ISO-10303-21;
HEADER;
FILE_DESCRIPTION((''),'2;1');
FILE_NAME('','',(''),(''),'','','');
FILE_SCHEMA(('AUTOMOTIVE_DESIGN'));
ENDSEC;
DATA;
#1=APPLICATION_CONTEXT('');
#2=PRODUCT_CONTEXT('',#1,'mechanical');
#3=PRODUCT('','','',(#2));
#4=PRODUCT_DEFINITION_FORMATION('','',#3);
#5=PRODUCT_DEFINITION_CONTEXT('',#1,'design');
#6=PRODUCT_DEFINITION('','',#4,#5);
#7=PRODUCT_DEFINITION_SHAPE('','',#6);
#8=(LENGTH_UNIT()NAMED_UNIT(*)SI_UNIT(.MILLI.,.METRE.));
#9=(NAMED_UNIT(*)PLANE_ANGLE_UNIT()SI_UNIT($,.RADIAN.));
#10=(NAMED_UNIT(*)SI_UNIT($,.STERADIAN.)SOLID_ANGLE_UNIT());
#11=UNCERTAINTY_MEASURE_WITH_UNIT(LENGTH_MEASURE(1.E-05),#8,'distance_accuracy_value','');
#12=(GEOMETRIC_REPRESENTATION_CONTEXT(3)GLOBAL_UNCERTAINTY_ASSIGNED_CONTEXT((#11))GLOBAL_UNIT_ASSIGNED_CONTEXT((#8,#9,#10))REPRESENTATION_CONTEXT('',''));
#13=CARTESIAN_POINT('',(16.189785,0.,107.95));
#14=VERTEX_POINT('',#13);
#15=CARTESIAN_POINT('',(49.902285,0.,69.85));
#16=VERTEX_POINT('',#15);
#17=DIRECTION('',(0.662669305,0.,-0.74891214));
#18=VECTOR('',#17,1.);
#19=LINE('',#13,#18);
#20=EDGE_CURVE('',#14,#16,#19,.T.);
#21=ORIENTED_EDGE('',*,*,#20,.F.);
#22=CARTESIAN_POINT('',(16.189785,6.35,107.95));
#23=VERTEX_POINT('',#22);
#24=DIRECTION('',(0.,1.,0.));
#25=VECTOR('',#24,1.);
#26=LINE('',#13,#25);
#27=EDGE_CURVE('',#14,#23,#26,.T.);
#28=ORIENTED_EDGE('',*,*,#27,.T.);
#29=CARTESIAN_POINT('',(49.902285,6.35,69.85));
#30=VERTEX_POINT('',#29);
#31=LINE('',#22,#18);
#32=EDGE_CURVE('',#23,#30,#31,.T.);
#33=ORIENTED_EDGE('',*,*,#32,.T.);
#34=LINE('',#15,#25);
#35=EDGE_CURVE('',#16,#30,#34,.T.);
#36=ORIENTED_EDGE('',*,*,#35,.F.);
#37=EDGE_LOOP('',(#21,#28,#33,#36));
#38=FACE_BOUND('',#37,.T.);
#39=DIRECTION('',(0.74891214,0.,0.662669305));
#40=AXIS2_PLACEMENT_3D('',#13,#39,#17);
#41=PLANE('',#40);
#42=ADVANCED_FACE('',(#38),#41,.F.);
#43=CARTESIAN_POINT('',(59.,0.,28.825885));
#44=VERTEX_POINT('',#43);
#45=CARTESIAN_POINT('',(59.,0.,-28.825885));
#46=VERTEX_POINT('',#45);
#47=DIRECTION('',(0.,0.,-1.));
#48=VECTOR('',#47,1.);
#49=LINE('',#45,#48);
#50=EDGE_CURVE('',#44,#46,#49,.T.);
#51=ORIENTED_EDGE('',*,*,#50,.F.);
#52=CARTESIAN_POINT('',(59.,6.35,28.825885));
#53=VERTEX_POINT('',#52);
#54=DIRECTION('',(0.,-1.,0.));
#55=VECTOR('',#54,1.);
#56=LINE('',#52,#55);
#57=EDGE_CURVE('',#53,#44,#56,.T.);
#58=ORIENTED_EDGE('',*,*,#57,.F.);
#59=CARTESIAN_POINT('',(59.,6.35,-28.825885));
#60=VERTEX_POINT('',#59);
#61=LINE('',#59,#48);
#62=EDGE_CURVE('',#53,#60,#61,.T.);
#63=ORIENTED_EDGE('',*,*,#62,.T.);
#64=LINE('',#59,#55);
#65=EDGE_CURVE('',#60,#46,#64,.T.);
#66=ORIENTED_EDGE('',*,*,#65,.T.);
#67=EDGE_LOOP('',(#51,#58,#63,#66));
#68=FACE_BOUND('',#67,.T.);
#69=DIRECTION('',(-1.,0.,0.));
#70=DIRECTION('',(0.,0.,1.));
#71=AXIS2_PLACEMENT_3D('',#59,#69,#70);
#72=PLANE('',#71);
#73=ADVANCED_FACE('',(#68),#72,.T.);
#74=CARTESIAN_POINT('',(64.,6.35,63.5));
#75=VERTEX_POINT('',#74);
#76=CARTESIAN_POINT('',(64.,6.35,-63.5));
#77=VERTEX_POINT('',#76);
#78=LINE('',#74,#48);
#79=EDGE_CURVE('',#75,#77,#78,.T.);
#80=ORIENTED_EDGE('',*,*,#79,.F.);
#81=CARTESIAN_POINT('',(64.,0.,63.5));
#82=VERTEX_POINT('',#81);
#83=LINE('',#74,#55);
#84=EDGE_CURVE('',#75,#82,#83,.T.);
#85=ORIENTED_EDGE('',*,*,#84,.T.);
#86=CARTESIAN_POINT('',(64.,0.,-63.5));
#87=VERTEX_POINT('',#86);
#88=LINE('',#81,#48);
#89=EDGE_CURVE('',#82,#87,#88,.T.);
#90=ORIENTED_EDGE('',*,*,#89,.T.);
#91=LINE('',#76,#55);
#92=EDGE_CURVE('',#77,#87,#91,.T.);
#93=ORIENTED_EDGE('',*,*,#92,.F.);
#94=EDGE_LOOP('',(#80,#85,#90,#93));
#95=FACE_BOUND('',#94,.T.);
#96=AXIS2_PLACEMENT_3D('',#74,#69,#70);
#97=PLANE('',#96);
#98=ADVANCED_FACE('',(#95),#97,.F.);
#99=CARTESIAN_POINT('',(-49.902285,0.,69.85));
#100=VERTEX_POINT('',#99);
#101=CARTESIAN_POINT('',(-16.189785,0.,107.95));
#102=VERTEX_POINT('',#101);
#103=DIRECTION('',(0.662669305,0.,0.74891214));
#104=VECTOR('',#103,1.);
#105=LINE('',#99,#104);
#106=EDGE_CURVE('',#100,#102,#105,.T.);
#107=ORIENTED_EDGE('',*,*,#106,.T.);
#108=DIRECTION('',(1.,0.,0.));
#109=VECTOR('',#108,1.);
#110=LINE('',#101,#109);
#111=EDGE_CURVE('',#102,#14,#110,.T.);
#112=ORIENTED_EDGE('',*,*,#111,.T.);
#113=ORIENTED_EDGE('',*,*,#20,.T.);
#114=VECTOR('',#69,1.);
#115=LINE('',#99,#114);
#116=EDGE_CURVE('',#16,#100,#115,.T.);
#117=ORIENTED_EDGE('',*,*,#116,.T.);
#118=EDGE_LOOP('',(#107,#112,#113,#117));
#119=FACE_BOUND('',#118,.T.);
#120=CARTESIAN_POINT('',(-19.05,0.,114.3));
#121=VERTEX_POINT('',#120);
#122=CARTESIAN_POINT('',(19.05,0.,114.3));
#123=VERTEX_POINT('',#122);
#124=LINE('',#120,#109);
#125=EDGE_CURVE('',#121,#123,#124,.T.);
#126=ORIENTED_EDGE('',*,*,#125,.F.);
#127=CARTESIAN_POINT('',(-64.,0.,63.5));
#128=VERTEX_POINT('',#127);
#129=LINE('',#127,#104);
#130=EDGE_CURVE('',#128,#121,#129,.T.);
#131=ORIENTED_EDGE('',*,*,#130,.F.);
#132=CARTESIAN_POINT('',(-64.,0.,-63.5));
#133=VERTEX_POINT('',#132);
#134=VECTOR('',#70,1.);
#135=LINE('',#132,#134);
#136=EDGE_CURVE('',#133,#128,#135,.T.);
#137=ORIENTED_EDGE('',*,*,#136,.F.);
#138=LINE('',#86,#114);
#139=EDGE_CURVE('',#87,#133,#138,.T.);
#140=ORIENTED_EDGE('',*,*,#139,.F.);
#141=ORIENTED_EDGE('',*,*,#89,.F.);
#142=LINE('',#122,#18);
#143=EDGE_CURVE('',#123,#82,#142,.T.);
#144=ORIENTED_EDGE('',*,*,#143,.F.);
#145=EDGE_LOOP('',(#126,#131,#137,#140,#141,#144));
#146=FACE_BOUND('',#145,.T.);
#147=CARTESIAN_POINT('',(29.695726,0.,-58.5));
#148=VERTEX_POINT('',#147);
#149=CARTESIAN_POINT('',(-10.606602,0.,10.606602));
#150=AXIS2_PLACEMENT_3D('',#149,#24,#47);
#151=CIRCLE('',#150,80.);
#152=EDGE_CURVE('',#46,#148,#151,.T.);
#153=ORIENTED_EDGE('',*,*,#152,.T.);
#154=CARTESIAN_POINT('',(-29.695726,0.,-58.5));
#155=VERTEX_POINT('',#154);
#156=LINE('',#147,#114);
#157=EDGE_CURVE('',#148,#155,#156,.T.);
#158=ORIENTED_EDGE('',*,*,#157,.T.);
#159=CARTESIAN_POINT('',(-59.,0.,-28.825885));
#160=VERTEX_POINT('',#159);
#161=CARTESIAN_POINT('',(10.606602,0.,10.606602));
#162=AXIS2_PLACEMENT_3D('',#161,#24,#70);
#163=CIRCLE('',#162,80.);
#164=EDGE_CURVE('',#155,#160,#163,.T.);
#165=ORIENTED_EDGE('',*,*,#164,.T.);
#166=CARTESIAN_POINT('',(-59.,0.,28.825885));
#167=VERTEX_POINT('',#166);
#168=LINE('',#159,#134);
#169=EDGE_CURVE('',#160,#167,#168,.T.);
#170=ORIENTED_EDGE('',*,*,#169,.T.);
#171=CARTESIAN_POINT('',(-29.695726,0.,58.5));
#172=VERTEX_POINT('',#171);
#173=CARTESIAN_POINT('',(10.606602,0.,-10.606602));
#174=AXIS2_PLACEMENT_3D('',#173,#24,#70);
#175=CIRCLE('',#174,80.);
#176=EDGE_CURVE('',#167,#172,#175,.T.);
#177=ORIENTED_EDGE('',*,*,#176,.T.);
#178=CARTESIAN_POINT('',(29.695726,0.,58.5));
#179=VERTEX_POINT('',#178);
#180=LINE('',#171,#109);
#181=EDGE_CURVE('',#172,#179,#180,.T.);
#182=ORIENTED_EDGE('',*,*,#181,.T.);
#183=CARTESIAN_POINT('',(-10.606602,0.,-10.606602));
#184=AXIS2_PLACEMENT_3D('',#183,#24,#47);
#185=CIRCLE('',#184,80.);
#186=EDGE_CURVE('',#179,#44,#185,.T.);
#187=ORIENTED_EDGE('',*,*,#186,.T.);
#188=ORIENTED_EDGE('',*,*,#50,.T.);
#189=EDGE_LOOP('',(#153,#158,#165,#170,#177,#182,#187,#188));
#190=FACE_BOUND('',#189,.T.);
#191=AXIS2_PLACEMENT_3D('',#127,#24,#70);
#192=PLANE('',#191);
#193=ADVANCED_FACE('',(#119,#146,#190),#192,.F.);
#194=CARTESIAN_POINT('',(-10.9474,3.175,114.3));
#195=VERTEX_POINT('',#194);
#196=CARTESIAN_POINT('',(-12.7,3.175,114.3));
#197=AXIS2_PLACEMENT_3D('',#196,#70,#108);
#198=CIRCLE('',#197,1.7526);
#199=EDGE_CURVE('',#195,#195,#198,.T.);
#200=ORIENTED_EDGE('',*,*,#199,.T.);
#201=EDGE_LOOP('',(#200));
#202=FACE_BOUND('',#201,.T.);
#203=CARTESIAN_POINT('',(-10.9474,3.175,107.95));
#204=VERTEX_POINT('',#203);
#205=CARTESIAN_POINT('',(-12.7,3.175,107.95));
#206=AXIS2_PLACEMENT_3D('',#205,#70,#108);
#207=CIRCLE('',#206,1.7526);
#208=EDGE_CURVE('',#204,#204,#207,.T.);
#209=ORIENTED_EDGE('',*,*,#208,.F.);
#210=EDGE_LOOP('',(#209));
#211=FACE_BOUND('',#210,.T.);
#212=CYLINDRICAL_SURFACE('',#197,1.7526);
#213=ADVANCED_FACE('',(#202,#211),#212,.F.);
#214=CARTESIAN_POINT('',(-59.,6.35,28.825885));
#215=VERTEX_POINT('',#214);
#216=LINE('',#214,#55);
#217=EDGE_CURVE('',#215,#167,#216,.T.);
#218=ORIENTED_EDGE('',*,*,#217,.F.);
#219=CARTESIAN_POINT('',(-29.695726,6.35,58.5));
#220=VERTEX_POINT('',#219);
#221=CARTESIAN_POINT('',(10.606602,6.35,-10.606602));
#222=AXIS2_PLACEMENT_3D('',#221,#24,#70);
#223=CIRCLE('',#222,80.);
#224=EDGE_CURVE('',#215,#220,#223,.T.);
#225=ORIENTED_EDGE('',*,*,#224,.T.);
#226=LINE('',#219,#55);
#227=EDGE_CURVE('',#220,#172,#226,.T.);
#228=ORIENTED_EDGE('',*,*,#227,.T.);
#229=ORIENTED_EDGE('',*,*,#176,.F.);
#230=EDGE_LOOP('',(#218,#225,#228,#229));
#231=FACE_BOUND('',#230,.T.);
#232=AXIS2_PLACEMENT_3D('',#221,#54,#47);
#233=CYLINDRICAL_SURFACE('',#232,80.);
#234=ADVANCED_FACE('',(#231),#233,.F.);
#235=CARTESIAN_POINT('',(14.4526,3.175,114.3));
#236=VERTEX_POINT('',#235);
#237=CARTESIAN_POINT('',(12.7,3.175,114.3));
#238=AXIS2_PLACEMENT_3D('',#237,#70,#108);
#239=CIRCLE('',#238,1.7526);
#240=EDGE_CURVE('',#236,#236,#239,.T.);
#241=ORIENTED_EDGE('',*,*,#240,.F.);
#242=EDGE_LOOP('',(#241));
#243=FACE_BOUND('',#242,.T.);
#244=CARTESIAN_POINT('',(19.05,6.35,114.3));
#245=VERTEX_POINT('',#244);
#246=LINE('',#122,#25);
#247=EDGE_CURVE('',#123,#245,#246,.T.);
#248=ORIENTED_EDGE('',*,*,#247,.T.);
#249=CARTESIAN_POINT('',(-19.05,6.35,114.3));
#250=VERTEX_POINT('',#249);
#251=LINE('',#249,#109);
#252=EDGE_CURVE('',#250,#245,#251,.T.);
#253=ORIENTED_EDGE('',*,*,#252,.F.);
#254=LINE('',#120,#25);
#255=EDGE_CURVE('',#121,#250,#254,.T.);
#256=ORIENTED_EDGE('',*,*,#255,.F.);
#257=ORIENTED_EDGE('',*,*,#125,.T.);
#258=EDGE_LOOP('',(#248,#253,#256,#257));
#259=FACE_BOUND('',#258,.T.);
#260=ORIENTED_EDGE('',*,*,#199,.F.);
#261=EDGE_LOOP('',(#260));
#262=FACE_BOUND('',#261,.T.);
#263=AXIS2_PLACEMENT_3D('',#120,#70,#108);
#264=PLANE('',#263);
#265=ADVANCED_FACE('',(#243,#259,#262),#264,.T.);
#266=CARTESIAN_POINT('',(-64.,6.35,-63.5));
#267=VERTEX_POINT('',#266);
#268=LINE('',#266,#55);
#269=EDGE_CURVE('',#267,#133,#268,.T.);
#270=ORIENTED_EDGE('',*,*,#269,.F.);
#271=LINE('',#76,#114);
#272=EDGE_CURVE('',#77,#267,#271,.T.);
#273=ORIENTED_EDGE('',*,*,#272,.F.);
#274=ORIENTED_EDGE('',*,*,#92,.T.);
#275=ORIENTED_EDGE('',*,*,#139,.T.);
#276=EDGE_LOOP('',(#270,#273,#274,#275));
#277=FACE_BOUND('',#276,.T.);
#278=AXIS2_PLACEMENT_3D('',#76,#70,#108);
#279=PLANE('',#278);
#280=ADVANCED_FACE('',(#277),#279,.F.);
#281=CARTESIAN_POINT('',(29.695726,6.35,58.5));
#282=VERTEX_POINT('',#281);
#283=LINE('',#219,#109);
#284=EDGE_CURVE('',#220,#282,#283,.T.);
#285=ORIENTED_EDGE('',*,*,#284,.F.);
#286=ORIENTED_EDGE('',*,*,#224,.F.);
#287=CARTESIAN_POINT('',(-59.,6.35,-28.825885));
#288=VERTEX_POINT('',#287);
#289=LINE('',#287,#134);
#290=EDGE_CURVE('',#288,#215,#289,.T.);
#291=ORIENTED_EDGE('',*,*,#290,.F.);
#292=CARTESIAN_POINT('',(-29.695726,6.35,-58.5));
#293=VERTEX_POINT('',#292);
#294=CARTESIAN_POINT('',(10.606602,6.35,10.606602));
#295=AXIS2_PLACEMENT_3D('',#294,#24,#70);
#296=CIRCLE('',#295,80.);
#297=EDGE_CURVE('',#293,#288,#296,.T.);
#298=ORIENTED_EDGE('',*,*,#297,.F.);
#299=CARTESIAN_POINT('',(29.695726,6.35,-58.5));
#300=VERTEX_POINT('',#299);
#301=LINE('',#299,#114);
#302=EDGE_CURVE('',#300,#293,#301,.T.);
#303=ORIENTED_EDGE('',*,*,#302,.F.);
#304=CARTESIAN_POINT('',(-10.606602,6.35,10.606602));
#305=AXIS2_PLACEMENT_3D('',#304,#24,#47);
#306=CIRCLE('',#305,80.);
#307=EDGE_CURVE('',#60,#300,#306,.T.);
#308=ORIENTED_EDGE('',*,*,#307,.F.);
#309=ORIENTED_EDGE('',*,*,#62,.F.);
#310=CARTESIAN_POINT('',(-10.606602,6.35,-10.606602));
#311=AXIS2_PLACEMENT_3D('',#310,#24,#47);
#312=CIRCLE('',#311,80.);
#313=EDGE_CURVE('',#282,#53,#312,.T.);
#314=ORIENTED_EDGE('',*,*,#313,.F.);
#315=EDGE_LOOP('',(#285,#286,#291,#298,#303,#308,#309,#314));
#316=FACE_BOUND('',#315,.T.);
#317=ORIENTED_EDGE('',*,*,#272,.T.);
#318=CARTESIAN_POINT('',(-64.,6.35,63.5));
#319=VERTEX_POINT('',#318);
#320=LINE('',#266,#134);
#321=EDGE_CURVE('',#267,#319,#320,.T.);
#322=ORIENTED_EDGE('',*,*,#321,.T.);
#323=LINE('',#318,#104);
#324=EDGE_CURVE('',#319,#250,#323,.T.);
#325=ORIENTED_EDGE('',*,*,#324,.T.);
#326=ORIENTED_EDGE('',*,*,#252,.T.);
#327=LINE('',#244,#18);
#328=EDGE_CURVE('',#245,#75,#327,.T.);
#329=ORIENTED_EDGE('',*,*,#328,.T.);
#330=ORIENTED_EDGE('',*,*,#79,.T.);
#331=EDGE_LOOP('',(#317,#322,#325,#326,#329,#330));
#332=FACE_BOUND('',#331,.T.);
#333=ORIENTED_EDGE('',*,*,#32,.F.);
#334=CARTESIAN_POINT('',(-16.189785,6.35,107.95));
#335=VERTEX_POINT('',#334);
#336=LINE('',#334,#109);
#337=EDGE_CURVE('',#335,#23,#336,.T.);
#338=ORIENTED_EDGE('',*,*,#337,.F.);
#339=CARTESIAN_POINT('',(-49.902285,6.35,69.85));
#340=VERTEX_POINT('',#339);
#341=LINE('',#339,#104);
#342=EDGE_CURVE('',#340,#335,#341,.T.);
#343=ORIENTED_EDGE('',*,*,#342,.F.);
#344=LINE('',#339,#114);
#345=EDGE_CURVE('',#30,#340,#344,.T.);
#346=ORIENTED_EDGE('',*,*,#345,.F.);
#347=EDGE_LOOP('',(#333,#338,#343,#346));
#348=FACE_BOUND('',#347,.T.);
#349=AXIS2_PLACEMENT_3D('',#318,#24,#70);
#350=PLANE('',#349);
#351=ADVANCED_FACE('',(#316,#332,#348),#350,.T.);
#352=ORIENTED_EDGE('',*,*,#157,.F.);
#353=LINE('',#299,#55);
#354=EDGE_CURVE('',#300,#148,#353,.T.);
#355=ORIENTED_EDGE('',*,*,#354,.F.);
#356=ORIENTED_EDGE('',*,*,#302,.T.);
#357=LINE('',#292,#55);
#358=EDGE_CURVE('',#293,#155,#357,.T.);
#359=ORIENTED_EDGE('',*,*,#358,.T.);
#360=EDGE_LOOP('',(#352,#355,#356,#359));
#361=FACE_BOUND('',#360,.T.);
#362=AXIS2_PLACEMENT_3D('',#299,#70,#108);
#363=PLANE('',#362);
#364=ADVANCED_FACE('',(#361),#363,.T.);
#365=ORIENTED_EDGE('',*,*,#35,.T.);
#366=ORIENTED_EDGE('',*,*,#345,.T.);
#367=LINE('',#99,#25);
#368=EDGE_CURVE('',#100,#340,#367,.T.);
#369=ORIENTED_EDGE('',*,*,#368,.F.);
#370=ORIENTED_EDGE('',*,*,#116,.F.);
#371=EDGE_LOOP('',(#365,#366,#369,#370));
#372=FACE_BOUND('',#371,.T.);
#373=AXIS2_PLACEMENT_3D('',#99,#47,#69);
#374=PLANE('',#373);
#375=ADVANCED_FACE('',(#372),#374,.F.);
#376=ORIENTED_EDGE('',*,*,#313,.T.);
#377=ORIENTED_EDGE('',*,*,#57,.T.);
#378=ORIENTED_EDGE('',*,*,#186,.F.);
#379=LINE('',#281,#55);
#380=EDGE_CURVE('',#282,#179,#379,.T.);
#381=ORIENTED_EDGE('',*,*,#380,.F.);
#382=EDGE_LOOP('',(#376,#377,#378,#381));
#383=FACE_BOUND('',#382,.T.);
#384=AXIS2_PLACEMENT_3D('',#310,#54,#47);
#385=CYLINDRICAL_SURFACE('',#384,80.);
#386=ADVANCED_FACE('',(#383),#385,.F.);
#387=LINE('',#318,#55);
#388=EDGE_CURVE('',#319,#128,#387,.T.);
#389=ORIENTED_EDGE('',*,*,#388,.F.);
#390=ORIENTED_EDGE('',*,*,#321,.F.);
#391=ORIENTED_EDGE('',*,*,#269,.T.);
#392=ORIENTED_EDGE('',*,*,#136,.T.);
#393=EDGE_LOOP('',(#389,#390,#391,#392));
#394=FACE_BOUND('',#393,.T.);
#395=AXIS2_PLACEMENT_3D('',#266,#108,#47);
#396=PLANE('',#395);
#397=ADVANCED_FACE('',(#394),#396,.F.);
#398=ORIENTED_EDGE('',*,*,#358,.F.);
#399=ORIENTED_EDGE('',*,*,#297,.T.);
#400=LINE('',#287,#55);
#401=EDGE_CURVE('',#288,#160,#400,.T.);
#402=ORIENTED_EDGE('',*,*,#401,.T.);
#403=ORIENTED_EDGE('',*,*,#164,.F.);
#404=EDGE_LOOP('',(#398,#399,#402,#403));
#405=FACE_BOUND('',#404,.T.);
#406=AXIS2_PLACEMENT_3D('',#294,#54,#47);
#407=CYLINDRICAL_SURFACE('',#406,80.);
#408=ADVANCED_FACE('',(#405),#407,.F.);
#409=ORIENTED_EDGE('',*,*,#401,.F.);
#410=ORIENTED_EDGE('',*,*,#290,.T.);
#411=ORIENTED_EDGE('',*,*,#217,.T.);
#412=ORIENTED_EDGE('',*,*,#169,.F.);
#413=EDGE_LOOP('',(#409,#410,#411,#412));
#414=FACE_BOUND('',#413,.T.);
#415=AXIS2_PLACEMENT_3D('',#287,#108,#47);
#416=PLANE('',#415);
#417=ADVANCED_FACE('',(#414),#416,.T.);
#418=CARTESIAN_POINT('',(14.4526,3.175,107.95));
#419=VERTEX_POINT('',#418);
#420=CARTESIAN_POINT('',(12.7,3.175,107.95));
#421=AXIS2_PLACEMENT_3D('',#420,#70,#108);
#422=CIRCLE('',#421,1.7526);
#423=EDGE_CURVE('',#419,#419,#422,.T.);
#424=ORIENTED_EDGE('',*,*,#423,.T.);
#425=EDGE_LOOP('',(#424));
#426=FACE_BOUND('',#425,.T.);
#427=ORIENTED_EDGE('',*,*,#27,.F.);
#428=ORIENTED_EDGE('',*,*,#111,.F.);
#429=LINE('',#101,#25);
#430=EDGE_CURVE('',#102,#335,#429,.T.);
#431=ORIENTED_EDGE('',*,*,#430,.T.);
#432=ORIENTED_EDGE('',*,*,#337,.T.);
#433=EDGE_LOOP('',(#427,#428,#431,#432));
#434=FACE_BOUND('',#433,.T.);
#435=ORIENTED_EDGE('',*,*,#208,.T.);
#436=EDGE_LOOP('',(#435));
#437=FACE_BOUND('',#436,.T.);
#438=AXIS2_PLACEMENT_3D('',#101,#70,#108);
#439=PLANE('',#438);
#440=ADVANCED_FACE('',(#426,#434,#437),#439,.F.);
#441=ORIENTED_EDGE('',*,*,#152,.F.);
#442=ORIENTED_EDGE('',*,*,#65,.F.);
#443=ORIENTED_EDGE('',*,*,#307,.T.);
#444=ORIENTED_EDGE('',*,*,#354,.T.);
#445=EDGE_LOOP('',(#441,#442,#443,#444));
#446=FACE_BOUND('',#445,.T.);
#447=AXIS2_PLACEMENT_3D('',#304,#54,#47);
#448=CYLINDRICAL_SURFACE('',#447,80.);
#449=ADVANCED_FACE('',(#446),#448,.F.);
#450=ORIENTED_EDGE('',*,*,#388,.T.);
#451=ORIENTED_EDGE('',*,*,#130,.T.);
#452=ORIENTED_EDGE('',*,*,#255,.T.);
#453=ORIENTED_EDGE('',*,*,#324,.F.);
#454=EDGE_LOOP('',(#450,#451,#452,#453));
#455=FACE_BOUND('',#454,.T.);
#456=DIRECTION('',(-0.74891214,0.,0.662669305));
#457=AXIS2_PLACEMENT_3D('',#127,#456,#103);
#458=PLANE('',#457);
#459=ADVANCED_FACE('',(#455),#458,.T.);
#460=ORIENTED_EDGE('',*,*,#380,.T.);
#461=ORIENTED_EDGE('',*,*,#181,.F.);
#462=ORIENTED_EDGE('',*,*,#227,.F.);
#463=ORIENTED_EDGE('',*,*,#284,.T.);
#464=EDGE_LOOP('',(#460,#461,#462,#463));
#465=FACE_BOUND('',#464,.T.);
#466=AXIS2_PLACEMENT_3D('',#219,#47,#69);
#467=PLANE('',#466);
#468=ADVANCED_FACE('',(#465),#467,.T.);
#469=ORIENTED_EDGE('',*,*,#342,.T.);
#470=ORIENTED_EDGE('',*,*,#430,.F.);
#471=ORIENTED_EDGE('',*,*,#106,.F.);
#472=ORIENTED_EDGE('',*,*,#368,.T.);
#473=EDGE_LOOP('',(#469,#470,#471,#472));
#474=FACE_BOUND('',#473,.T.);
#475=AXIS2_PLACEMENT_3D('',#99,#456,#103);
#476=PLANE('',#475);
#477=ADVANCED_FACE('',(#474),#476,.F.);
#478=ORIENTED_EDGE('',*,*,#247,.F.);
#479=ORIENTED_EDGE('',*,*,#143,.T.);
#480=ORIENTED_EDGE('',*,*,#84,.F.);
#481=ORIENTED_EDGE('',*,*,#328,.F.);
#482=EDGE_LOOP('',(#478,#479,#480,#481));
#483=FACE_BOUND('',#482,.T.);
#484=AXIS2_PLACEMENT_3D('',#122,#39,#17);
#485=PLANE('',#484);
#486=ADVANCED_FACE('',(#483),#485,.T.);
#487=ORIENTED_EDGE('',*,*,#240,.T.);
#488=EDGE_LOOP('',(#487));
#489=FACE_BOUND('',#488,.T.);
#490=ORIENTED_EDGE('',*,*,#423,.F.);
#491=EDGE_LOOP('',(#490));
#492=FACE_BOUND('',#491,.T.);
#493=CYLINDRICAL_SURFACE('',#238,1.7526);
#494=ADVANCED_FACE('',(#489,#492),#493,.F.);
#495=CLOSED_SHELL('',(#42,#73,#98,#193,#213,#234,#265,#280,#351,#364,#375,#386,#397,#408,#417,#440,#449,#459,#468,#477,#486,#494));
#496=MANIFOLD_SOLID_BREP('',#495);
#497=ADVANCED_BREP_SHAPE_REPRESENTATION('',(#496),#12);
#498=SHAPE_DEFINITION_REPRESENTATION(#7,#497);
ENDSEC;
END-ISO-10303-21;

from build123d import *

# Parameters (mm, degrees)
SKETCH2_W                       = 128
SKETCH2_H                       = 127
BOSS_EXTRUDE1_DEPTH             = 6.35
BOSS_EXTRUDE2_DEPTH             = 6.35
F_6_32_TAPPED_HOLE1_D           = 2.7051
F_6_32_TAPPED_HOLE1_DEPTH       = 9.398
F_6_32_TAPPED_HOLE1_CBORE_D     = 3.5052
F_6_32_TAPPED_HOLE1_CBORE_DEPTH = 7.112
F_6_32_TAPPED_HOLE1_TIP         = 0.81269403


with BuildPart() as part:
    # Sketch2 → Boss-Extrude1 (new body)
    with BuildSketch(Plane(origin=(0, 0, 0), x_dir=(1, 0, 0), z_dir=(0, 1, 0))):
        Rectangle(SKETCH2_W, SKETCH2_H)
        with BuildLine():
            Line((29.695725746, 58.5), (-29.695725746, 58.5))
            ThreePointArc((-29.695725746, 58.5), (-46.315550876, 45.606106313), (-59, 28.825884855))
            Line((-59, 28.825884855), (-59, -28.825884855))
            ThreePointArc((-59, -28.825884855), (-46.315550876, -45.606106313), (-29.695725746, -58.5))
            Line((-29.695725746, -58.5), (29.695725746, -58.5))
            ThreePointArc((29.695725746, -58.5), (46.315550876, -45.606106313), (59, -28.825884855))
            Line((59, -28.825884855), (59, 28.825884855))
            ThreePointArc((59, 28.825884855), (46.315550876, 45.606106313), (29.695725746, 58.5))
        make_face(mode=Mode.SUBTRACT)
    extrude(amount=BOSS_EXTRUDE1_DEPTH)

    # Sketch3 → Boss-Extrude2 (add)
    with BuildSketch(Plane(origin=(0, 6.35, 0), x_dir=(1, 0, 0), z_dir=(0, 1, 0))):
        Polygon((-64, -63.5), (-19.05, -114.3), (19.05, -114.3), (64, -63.5), align=None)
        Polygon((-49.902284759, -69.85), (-16.189784759, -107.95), (16.189784759, -107.95), (49.902284759, -69.85), align=None, mode=Mode.SUBTRACT)
    extrude(amount=-BOSS_EXTRUDE2_DEPTH)

    # #6-32 Tapped Hole1
    with Locations(Plane.XY.offset(114.3)):
        with Locations((-12.7, 3.175), (12.7, 3.175)):
            CounterBoreHole(F_6_32_TAPPED_HOLE1_D / 2, F_6_32_TAPPED_HOLE1_CBORE_D / 2, F_6_32_TAPPED_HOLE1_CBORE_DEPTH, depth=F_6_32_TAPPED_HOLE1_DEPTH)
            with Locations((0, 0, -(F_6_32_TAPPED_HOLE1_DEPTH + F_6_32_TAPPED_HOLE1_TIP / 2))):  # 118° drill point
                Cone(0, F_6_32_TAPPED_HOLE1_D / 2, F_6_32_TAPPED_HOLE1_TIP, mode=Mode.SUBTRACT)


solid = part.part
